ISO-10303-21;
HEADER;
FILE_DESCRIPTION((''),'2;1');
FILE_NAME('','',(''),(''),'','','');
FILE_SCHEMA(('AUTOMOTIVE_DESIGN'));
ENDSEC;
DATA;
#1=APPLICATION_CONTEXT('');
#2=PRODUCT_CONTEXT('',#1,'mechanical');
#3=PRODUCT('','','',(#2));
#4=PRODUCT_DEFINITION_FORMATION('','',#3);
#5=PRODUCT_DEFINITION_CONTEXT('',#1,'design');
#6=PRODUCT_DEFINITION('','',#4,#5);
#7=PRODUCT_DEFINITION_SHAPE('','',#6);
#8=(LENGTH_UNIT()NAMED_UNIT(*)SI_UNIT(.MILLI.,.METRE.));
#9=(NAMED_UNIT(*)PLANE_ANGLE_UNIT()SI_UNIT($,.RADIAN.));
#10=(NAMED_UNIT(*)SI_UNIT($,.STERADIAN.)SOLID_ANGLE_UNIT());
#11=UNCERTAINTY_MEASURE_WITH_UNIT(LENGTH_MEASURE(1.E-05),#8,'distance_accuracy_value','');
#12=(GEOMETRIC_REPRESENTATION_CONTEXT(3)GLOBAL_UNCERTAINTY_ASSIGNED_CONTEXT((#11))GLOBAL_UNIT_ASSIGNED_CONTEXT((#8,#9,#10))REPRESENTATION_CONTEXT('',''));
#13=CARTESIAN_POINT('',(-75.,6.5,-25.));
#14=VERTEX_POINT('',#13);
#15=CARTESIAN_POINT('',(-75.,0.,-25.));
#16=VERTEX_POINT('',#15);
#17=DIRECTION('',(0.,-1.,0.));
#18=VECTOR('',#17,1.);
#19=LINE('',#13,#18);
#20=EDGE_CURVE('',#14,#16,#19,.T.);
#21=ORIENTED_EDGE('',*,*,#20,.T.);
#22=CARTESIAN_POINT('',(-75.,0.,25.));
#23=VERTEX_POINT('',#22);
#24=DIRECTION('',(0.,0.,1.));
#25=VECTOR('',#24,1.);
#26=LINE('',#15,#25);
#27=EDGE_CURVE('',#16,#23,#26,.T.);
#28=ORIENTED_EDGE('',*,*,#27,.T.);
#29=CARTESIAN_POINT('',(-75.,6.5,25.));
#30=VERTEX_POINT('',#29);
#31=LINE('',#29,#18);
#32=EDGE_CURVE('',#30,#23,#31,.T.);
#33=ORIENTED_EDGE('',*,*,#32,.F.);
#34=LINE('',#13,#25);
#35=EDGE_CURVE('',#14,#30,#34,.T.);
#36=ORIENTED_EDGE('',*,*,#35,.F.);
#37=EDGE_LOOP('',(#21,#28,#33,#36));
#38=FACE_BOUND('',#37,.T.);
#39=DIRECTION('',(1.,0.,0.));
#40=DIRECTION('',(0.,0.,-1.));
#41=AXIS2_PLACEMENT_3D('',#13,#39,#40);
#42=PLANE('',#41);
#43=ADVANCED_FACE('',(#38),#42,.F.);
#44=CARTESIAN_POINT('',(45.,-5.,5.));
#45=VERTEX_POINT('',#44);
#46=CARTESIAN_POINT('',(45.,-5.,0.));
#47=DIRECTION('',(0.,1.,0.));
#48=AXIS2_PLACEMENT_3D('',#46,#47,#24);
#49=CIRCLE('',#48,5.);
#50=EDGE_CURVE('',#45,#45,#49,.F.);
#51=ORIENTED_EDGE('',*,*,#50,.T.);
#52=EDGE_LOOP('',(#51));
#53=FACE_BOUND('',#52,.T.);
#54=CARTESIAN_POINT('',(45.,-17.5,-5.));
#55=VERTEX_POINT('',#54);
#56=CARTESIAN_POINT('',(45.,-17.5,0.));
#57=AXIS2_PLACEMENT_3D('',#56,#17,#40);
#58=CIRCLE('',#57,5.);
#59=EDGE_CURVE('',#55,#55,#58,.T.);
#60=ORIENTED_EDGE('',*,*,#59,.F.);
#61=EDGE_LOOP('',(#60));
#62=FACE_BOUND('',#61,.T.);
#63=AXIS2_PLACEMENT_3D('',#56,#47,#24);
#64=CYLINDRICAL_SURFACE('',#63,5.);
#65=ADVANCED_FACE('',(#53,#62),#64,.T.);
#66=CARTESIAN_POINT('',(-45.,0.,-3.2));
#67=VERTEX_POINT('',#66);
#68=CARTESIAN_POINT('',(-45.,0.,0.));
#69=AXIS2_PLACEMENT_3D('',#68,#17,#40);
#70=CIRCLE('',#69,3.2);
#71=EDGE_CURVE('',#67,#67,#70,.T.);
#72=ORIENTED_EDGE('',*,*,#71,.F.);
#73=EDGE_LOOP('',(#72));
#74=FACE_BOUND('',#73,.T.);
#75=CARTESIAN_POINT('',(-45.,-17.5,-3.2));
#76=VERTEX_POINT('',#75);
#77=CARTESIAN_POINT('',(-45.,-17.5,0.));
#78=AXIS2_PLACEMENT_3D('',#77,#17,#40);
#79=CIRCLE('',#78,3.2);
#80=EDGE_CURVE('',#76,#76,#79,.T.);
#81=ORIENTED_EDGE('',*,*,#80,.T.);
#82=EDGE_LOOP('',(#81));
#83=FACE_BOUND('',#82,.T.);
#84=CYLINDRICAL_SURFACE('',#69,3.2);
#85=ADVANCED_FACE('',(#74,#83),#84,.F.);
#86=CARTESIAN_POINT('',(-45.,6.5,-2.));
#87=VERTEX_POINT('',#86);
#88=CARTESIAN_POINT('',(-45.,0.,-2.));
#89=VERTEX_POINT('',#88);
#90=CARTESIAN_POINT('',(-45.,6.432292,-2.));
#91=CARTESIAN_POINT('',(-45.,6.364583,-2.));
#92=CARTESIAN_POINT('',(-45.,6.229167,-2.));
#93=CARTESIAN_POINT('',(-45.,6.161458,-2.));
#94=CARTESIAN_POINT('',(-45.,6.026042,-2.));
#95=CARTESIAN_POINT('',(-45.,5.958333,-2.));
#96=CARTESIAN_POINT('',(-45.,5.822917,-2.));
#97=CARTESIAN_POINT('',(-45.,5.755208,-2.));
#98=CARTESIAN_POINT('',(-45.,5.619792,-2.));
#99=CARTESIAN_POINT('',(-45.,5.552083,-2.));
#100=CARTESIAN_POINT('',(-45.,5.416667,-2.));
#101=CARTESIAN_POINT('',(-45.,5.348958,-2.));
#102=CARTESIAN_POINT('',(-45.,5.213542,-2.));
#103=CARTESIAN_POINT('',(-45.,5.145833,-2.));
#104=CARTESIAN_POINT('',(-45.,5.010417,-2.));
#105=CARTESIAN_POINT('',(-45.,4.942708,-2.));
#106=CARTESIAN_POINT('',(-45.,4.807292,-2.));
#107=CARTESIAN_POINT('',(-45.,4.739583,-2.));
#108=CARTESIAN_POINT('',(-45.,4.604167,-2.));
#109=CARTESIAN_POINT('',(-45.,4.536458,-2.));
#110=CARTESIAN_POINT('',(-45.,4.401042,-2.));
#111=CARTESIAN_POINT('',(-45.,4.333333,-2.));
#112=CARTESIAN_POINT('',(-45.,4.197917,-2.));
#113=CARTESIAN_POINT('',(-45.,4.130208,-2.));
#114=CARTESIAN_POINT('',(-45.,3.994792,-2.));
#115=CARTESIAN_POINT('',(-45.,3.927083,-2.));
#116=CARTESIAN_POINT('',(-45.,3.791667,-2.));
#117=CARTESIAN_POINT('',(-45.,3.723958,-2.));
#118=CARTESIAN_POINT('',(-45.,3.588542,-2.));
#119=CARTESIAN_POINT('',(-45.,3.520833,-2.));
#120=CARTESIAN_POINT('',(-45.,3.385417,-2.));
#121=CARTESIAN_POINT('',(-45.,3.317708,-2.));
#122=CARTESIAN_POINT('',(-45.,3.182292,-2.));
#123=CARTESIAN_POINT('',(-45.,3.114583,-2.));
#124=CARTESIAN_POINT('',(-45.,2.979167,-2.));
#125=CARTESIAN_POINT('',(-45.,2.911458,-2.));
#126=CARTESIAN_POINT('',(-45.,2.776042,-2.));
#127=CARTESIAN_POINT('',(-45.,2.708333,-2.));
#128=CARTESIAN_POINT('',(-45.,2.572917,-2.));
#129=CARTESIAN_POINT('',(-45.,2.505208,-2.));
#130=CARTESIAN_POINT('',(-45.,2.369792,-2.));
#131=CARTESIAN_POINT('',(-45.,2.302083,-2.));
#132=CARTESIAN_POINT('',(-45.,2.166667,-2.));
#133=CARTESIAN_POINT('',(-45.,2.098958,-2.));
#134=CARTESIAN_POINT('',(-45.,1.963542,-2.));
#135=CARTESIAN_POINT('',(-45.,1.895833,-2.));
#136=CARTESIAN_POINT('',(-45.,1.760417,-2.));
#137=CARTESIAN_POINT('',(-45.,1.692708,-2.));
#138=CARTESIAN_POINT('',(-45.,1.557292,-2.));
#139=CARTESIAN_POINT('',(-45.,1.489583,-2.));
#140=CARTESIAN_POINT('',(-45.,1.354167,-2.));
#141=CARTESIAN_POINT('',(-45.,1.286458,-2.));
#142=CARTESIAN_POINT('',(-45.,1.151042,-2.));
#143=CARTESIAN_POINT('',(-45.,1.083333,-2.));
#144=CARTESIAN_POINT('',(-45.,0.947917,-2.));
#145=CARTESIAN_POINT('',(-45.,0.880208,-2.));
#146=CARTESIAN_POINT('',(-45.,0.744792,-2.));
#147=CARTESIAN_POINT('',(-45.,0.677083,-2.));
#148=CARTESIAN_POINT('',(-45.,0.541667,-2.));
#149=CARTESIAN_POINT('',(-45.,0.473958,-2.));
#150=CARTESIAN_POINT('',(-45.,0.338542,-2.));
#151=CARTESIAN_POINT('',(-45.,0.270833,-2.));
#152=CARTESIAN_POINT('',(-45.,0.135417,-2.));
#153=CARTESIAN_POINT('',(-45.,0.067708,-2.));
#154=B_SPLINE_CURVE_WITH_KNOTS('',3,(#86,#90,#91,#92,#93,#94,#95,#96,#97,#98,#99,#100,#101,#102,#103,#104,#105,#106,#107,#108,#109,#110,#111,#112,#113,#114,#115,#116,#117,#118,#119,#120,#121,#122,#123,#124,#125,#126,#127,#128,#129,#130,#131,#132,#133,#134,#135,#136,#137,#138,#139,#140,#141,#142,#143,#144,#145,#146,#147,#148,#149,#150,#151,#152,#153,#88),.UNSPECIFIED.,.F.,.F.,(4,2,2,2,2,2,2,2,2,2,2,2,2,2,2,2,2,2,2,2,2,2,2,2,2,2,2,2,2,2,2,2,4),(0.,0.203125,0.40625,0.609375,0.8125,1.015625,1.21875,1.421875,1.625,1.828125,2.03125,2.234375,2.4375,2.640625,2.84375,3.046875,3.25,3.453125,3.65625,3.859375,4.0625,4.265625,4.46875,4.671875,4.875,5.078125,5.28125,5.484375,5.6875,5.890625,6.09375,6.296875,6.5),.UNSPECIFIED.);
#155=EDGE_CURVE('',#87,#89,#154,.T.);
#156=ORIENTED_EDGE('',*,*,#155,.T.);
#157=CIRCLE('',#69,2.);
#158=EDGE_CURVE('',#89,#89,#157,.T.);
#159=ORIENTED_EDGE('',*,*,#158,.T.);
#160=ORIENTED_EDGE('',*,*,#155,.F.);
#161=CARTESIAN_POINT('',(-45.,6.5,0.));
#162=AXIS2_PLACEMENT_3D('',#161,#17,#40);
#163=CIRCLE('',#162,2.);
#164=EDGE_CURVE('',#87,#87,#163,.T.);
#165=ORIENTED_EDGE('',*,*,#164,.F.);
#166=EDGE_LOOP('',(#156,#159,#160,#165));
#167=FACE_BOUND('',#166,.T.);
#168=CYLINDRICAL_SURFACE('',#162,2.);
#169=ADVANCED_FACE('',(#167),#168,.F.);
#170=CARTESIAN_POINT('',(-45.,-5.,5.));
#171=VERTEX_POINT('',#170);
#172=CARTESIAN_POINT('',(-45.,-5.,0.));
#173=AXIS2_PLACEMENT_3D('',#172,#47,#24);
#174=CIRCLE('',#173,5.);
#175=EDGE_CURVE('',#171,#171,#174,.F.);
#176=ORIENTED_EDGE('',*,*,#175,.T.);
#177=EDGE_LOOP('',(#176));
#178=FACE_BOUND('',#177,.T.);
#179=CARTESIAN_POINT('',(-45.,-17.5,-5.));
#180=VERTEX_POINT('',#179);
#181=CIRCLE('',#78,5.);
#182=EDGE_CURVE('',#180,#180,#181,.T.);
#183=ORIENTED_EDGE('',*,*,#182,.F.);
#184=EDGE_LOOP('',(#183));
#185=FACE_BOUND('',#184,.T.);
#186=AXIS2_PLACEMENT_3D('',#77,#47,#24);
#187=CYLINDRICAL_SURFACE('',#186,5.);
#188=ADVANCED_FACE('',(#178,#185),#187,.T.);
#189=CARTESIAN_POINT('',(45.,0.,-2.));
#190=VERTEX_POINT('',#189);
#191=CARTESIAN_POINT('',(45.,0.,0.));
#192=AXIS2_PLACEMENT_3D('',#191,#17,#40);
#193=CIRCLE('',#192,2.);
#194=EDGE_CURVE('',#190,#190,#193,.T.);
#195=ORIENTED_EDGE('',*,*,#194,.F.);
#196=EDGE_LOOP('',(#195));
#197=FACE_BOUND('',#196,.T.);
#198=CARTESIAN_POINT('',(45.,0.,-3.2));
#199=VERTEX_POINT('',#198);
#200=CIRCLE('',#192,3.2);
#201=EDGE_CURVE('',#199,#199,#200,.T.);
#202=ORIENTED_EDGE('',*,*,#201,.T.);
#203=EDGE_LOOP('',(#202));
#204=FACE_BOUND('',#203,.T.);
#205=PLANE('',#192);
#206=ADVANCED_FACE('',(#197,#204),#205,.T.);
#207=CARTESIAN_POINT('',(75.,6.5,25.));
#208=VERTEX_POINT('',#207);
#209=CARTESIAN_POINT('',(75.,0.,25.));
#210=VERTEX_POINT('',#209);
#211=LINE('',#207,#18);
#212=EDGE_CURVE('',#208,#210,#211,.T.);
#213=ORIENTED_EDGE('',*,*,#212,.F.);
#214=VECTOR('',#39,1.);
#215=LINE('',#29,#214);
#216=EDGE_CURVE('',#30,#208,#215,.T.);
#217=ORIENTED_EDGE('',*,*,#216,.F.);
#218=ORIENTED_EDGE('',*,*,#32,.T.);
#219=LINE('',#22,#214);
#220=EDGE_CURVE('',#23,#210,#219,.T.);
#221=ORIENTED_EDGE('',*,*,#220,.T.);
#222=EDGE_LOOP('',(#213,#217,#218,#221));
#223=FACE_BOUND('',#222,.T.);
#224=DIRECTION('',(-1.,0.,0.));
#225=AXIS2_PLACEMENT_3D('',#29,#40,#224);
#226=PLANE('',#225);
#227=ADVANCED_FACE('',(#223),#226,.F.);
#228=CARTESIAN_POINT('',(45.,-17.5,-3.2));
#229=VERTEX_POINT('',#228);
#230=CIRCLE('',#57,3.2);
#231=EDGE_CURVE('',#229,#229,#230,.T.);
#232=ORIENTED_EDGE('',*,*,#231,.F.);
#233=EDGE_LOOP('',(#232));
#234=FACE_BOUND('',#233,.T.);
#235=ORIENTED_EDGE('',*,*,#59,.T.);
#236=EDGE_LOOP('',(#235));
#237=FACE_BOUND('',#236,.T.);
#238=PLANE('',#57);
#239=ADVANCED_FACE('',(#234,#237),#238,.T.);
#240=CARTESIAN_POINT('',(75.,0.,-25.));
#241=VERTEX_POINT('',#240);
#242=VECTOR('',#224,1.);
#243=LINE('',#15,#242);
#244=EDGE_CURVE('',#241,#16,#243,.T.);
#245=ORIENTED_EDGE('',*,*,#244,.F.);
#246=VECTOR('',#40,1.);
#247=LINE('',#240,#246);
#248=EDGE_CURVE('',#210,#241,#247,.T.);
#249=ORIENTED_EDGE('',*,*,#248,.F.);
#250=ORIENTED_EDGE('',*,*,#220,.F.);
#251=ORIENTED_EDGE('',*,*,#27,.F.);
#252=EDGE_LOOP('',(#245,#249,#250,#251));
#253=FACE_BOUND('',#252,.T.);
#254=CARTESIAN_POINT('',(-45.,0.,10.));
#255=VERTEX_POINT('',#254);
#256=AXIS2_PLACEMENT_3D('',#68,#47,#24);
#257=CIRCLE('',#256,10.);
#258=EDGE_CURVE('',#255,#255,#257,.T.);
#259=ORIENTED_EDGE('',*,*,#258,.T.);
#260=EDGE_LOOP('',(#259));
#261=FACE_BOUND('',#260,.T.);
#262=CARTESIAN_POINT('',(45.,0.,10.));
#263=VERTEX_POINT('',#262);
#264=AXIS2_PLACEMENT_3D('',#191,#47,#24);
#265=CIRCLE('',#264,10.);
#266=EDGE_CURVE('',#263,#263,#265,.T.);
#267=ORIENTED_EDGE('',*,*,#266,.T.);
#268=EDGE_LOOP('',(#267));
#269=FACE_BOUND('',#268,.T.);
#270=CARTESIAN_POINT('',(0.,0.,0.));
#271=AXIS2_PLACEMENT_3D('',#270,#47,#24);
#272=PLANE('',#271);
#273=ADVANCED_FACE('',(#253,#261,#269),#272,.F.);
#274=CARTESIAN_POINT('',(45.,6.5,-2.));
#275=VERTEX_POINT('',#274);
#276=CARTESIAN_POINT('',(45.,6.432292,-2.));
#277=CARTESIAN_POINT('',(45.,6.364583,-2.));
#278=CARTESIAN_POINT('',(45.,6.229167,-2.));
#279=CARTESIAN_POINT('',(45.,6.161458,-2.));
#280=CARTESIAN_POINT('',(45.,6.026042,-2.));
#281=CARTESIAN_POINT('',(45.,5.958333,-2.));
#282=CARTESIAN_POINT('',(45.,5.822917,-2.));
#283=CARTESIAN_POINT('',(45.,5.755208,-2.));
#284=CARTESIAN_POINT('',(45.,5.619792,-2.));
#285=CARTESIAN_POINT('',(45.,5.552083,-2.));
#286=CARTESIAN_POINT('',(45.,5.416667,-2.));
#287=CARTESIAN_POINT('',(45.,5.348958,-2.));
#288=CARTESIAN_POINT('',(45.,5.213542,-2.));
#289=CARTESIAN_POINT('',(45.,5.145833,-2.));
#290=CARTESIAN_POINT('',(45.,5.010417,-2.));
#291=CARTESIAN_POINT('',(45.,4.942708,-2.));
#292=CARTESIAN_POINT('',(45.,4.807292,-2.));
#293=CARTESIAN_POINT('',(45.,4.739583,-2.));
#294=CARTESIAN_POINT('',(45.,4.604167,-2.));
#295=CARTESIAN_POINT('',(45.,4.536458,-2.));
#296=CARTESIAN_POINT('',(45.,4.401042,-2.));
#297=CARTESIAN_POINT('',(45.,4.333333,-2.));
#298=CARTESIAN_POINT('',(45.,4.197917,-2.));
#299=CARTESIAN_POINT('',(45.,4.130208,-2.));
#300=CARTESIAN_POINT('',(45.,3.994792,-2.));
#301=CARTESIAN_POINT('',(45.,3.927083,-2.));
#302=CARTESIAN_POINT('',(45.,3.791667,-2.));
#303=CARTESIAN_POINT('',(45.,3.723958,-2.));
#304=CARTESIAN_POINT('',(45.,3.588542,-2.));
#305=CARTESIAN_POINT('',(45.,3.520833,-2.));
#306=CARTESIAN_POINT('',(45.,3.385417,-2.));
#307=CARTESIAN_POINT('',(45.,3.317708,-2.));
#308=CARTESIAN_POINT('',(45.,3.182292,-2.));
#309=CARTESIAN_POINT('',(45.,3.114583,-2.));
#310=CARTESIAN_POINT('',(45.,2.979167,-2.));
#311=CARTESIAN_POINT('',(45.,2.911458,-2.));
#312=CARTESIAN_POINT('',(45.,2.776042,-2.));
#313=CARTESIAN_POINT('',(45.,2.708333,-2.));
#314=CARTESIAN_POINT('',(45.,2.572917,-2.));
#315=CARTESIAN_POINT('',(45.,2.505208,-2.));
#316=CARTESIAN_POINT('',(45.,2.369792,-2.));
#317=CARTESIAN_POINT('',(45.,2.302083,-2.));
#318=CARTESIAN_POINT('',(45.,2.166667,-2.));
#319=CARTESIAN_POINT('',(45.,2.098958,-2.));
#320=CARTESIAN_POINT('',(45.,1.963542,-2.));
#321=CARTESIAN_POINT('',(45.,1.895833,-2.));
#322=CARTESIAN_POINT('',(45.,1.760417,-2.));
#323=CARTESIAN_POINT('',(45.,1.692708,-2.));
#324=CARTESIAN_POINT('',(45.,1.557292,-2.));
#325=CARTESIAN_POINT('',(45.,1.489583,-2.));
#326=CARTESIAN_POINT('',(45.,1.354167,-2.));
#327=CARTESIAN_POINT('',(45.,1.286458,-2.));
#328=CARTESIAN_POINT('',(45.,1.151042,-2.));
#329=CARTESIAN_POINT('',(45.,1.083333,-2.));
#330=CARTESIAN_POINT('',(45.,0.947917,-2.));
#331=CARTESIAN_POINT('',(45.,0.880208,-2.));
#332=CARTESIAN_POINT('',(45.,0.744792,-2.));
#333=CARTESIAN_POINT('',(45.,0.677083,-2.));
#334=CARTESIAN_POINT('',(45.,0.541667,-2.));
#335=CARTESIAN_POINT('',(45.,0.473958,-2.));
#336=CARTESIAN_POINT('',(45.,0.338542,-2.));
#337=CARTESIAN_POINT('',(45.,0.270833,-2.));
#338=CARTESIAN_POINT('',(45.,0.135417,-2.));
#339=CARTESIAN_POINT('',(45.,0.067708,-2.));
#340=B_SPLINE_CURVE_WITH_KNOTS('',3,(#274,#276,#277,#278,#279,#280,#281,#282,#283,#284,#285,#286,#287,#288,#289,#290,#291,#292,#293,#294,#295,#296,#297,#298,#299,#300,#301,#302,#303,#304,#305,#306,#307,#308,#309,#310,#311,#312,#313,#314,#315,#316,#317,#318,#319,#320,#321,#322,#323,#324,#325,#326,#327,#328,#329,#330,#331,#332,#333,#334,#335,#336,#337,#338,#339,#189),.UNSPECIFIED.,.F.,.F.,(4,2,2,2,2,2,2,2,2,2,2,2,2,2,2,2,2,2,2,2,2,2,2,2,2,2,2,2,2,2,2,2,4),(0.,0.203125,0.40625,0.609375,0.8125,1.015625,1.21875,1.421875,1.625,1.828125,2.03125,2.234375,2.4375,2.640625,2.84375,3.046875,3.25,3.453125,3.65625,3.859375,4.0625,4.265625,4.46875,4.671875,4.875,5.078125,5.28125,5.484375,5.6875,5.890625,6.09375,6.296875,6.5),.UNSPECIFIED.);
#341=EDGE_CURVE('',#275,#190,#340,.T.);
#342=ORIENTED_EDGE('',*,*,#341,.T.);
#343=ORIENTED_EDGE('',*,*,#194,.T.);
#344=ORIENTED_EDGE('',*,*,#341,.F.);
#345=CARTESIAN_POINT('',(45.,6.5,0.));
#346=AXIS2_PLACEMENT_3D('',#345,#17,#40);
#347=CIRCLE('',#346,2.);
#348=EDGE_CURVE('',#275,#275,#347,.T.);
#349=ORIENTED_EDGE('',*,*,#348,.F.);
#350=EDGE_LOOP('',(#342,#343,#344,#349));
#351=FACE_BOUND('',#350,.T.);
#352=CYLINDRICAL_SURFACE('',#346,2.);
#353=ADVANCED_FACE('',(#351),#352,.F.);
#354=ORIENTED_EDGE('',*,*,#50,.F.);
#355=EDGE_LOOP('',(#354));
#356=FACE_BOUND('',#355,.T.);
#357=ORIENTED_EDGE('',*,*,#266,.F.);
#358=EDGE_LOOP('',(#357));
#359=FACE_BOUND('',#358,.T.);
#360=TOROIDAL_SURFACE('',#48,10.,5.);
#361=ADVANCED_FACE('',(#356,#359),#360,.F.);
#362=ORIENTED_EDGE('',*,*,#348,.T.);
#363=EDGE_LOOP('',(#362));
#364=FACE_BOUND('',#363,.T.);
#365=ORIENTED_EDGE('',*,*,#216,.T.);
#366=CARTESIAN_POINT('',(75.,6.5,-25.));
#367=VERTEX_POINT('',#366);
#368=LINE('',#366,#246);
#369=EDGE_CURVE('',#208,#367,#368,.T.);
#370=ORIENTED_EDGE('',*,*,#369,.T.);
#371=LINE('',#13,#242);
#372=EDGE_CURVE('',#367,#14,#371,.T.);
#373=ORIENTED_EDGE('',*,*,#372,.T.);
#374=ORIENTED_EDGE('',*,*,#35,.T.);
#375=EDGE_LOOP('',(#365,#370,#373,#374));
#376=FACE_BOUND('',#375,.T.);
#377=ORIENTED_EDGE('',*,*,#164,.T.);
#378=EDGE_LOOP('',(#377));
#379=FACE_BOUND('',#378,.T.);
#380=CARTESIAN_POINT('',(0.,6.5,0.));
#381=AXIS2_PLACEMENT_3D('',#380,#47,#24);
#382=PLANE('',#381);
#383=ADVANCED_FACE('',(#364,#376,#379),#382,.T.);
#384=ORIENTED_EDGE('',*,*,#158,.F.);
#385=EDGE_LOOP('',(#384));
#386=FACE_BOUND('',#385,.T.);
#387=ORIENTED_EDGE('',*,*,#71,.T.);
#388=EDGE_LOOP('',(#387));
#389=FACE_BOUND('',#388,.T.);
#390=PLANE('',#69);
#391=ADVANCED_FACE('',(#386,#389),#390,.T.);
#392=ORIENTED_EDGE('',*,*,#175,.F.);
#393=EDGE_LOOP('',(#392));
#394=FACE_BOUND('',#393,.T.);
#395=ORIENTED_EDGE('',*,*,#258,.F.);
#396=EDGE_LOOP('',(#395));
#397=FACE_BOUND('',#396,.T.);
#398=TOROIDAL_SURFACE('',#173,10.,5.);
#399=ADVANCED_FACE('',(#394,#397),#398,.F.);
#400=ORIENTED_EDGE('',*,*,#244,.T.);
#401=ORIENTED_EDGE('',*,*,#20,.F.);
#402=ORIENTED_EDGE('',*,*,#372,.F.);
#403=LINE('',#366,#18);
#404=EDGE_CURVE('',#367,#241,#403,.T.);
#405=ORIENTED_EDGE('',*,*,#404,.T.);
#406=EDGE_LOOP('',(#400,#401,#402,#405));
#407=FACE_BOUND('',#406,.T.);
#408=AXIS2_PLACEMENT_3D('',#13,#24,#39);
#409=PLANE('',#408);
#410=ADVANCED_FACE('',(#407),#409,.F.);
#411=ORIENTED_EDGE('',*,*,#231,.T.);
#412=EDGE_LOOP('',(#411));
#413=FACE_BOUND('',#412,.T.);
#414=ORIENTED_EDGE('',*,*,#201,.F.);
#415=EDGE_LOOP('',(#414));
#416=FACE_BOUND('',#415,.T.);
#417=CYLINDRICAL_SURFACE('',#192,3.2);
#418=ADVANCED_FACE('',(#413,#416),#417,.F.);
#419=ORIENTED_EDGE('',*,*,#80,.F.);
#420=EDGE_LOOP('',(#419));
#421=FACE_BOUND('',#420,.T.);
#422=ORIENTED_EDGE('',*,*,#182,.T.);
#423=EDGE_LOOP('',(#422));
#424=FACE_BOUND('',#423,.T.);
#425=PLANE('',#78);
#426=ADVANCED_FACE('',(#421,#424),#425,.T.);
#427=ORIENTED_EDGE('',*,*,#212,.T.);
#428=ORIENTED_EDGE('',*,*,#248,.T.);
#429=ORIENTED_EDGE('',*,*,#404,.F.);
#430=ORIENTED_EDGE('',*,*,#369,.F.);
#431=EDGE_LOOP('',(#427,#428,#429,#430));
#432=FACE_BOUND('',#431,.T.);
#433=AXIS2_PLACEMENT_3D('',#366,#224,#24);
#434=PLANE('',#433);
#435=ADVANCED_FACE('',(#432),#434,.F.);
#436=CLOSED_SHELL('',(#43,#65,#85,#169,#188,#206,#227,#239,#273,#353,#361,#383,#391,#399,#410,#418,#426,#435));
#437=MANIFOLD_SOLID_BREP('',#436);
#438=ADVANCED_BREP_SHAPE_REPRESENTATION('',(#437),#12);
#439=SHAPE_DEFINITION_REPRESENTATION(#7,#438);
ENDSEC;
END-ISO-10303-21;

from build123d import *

# Parameters (mm, degrees)
SKETCH1_W           = 150
SKETCH1_H           = 50
BOSS_EXTRUDE1_DEPTH = 6.5
SKETCH3_R           = 5
BOSS_EXTRUDE2_DEPTH = 17.5
FILLET1_R           = 5
SKETCH4_R           = 3.2
CUT_EXTRUDE1_DEPTH  = 17.5
SKETCH5_R           = 2
CUT_EXTRUDE2_DEPTH  = 6.5


with BuildPart() as part:
    # Sketch1 → Boss-Extrude1 (new body)
    with BuildSketch(Plane(origin=(0, 0, 0), x_dir=(1, 0, 0), z_dir=(0, 1, 0))):
        Rectangle(SKETCH1_W, SKETCH1_H)
    extrude(amount=BOSS_EXTRUDE1_DEPTH)

    # Sketch3 → Boss-Extrude2 (add)
    with BuildSketch(Plane.XZ):
        with Locations(Location((45, 0, 0), (0, 0, 90))):
            Circle(SKETCH3_R)
        with Locations(Location((-45, 0, 0), (0, 0, 90))):
            Circle(SKETCH3_R)
    extrude(amount=BOSS_EXTRUDE2_DEPTH)

    # Fillet1
    fillet1_edges = [part.edges().sort_by_distance(p)[0] for p in [
        (45, 0, -5),
        (-45, 0, -5),
    ]]
    fillet(fillet1_edges, radius=FILLET1_R)

    # Sketch4 → Cut-Extrude1 (cut)
    with BuildSketch(Plane.XZ.offset(17.5)):
        with Locations(Location((45, 0, 0), (0, 0, 270))):
            Circle(SKETCH4_R)
        with Locations(Location((-45, 0, 0), (0, 0, 270))):
            Circle(SKETCH4_R)
    extrude(amount=-CUT_EXTRUDE1_DEPTH, mode=Mode.SUBTRACT)

    # Sketch5 → Cut-Extrude2 (cut)
    with BuildSketch(Plane.XZ):
        with Locations(Location((45, 0, 0), (0, 0, 270))):
            Circle(SKETCH5_R)
        with Locations(Location((-45, 0, 0), (0, 0, 270))):
            Circle(SKETCH5_R)
    extrude(amount=-CUT_EXTRUDE2_DEPTH, mode=Mode.SUBTRACT)


solid = part.part
